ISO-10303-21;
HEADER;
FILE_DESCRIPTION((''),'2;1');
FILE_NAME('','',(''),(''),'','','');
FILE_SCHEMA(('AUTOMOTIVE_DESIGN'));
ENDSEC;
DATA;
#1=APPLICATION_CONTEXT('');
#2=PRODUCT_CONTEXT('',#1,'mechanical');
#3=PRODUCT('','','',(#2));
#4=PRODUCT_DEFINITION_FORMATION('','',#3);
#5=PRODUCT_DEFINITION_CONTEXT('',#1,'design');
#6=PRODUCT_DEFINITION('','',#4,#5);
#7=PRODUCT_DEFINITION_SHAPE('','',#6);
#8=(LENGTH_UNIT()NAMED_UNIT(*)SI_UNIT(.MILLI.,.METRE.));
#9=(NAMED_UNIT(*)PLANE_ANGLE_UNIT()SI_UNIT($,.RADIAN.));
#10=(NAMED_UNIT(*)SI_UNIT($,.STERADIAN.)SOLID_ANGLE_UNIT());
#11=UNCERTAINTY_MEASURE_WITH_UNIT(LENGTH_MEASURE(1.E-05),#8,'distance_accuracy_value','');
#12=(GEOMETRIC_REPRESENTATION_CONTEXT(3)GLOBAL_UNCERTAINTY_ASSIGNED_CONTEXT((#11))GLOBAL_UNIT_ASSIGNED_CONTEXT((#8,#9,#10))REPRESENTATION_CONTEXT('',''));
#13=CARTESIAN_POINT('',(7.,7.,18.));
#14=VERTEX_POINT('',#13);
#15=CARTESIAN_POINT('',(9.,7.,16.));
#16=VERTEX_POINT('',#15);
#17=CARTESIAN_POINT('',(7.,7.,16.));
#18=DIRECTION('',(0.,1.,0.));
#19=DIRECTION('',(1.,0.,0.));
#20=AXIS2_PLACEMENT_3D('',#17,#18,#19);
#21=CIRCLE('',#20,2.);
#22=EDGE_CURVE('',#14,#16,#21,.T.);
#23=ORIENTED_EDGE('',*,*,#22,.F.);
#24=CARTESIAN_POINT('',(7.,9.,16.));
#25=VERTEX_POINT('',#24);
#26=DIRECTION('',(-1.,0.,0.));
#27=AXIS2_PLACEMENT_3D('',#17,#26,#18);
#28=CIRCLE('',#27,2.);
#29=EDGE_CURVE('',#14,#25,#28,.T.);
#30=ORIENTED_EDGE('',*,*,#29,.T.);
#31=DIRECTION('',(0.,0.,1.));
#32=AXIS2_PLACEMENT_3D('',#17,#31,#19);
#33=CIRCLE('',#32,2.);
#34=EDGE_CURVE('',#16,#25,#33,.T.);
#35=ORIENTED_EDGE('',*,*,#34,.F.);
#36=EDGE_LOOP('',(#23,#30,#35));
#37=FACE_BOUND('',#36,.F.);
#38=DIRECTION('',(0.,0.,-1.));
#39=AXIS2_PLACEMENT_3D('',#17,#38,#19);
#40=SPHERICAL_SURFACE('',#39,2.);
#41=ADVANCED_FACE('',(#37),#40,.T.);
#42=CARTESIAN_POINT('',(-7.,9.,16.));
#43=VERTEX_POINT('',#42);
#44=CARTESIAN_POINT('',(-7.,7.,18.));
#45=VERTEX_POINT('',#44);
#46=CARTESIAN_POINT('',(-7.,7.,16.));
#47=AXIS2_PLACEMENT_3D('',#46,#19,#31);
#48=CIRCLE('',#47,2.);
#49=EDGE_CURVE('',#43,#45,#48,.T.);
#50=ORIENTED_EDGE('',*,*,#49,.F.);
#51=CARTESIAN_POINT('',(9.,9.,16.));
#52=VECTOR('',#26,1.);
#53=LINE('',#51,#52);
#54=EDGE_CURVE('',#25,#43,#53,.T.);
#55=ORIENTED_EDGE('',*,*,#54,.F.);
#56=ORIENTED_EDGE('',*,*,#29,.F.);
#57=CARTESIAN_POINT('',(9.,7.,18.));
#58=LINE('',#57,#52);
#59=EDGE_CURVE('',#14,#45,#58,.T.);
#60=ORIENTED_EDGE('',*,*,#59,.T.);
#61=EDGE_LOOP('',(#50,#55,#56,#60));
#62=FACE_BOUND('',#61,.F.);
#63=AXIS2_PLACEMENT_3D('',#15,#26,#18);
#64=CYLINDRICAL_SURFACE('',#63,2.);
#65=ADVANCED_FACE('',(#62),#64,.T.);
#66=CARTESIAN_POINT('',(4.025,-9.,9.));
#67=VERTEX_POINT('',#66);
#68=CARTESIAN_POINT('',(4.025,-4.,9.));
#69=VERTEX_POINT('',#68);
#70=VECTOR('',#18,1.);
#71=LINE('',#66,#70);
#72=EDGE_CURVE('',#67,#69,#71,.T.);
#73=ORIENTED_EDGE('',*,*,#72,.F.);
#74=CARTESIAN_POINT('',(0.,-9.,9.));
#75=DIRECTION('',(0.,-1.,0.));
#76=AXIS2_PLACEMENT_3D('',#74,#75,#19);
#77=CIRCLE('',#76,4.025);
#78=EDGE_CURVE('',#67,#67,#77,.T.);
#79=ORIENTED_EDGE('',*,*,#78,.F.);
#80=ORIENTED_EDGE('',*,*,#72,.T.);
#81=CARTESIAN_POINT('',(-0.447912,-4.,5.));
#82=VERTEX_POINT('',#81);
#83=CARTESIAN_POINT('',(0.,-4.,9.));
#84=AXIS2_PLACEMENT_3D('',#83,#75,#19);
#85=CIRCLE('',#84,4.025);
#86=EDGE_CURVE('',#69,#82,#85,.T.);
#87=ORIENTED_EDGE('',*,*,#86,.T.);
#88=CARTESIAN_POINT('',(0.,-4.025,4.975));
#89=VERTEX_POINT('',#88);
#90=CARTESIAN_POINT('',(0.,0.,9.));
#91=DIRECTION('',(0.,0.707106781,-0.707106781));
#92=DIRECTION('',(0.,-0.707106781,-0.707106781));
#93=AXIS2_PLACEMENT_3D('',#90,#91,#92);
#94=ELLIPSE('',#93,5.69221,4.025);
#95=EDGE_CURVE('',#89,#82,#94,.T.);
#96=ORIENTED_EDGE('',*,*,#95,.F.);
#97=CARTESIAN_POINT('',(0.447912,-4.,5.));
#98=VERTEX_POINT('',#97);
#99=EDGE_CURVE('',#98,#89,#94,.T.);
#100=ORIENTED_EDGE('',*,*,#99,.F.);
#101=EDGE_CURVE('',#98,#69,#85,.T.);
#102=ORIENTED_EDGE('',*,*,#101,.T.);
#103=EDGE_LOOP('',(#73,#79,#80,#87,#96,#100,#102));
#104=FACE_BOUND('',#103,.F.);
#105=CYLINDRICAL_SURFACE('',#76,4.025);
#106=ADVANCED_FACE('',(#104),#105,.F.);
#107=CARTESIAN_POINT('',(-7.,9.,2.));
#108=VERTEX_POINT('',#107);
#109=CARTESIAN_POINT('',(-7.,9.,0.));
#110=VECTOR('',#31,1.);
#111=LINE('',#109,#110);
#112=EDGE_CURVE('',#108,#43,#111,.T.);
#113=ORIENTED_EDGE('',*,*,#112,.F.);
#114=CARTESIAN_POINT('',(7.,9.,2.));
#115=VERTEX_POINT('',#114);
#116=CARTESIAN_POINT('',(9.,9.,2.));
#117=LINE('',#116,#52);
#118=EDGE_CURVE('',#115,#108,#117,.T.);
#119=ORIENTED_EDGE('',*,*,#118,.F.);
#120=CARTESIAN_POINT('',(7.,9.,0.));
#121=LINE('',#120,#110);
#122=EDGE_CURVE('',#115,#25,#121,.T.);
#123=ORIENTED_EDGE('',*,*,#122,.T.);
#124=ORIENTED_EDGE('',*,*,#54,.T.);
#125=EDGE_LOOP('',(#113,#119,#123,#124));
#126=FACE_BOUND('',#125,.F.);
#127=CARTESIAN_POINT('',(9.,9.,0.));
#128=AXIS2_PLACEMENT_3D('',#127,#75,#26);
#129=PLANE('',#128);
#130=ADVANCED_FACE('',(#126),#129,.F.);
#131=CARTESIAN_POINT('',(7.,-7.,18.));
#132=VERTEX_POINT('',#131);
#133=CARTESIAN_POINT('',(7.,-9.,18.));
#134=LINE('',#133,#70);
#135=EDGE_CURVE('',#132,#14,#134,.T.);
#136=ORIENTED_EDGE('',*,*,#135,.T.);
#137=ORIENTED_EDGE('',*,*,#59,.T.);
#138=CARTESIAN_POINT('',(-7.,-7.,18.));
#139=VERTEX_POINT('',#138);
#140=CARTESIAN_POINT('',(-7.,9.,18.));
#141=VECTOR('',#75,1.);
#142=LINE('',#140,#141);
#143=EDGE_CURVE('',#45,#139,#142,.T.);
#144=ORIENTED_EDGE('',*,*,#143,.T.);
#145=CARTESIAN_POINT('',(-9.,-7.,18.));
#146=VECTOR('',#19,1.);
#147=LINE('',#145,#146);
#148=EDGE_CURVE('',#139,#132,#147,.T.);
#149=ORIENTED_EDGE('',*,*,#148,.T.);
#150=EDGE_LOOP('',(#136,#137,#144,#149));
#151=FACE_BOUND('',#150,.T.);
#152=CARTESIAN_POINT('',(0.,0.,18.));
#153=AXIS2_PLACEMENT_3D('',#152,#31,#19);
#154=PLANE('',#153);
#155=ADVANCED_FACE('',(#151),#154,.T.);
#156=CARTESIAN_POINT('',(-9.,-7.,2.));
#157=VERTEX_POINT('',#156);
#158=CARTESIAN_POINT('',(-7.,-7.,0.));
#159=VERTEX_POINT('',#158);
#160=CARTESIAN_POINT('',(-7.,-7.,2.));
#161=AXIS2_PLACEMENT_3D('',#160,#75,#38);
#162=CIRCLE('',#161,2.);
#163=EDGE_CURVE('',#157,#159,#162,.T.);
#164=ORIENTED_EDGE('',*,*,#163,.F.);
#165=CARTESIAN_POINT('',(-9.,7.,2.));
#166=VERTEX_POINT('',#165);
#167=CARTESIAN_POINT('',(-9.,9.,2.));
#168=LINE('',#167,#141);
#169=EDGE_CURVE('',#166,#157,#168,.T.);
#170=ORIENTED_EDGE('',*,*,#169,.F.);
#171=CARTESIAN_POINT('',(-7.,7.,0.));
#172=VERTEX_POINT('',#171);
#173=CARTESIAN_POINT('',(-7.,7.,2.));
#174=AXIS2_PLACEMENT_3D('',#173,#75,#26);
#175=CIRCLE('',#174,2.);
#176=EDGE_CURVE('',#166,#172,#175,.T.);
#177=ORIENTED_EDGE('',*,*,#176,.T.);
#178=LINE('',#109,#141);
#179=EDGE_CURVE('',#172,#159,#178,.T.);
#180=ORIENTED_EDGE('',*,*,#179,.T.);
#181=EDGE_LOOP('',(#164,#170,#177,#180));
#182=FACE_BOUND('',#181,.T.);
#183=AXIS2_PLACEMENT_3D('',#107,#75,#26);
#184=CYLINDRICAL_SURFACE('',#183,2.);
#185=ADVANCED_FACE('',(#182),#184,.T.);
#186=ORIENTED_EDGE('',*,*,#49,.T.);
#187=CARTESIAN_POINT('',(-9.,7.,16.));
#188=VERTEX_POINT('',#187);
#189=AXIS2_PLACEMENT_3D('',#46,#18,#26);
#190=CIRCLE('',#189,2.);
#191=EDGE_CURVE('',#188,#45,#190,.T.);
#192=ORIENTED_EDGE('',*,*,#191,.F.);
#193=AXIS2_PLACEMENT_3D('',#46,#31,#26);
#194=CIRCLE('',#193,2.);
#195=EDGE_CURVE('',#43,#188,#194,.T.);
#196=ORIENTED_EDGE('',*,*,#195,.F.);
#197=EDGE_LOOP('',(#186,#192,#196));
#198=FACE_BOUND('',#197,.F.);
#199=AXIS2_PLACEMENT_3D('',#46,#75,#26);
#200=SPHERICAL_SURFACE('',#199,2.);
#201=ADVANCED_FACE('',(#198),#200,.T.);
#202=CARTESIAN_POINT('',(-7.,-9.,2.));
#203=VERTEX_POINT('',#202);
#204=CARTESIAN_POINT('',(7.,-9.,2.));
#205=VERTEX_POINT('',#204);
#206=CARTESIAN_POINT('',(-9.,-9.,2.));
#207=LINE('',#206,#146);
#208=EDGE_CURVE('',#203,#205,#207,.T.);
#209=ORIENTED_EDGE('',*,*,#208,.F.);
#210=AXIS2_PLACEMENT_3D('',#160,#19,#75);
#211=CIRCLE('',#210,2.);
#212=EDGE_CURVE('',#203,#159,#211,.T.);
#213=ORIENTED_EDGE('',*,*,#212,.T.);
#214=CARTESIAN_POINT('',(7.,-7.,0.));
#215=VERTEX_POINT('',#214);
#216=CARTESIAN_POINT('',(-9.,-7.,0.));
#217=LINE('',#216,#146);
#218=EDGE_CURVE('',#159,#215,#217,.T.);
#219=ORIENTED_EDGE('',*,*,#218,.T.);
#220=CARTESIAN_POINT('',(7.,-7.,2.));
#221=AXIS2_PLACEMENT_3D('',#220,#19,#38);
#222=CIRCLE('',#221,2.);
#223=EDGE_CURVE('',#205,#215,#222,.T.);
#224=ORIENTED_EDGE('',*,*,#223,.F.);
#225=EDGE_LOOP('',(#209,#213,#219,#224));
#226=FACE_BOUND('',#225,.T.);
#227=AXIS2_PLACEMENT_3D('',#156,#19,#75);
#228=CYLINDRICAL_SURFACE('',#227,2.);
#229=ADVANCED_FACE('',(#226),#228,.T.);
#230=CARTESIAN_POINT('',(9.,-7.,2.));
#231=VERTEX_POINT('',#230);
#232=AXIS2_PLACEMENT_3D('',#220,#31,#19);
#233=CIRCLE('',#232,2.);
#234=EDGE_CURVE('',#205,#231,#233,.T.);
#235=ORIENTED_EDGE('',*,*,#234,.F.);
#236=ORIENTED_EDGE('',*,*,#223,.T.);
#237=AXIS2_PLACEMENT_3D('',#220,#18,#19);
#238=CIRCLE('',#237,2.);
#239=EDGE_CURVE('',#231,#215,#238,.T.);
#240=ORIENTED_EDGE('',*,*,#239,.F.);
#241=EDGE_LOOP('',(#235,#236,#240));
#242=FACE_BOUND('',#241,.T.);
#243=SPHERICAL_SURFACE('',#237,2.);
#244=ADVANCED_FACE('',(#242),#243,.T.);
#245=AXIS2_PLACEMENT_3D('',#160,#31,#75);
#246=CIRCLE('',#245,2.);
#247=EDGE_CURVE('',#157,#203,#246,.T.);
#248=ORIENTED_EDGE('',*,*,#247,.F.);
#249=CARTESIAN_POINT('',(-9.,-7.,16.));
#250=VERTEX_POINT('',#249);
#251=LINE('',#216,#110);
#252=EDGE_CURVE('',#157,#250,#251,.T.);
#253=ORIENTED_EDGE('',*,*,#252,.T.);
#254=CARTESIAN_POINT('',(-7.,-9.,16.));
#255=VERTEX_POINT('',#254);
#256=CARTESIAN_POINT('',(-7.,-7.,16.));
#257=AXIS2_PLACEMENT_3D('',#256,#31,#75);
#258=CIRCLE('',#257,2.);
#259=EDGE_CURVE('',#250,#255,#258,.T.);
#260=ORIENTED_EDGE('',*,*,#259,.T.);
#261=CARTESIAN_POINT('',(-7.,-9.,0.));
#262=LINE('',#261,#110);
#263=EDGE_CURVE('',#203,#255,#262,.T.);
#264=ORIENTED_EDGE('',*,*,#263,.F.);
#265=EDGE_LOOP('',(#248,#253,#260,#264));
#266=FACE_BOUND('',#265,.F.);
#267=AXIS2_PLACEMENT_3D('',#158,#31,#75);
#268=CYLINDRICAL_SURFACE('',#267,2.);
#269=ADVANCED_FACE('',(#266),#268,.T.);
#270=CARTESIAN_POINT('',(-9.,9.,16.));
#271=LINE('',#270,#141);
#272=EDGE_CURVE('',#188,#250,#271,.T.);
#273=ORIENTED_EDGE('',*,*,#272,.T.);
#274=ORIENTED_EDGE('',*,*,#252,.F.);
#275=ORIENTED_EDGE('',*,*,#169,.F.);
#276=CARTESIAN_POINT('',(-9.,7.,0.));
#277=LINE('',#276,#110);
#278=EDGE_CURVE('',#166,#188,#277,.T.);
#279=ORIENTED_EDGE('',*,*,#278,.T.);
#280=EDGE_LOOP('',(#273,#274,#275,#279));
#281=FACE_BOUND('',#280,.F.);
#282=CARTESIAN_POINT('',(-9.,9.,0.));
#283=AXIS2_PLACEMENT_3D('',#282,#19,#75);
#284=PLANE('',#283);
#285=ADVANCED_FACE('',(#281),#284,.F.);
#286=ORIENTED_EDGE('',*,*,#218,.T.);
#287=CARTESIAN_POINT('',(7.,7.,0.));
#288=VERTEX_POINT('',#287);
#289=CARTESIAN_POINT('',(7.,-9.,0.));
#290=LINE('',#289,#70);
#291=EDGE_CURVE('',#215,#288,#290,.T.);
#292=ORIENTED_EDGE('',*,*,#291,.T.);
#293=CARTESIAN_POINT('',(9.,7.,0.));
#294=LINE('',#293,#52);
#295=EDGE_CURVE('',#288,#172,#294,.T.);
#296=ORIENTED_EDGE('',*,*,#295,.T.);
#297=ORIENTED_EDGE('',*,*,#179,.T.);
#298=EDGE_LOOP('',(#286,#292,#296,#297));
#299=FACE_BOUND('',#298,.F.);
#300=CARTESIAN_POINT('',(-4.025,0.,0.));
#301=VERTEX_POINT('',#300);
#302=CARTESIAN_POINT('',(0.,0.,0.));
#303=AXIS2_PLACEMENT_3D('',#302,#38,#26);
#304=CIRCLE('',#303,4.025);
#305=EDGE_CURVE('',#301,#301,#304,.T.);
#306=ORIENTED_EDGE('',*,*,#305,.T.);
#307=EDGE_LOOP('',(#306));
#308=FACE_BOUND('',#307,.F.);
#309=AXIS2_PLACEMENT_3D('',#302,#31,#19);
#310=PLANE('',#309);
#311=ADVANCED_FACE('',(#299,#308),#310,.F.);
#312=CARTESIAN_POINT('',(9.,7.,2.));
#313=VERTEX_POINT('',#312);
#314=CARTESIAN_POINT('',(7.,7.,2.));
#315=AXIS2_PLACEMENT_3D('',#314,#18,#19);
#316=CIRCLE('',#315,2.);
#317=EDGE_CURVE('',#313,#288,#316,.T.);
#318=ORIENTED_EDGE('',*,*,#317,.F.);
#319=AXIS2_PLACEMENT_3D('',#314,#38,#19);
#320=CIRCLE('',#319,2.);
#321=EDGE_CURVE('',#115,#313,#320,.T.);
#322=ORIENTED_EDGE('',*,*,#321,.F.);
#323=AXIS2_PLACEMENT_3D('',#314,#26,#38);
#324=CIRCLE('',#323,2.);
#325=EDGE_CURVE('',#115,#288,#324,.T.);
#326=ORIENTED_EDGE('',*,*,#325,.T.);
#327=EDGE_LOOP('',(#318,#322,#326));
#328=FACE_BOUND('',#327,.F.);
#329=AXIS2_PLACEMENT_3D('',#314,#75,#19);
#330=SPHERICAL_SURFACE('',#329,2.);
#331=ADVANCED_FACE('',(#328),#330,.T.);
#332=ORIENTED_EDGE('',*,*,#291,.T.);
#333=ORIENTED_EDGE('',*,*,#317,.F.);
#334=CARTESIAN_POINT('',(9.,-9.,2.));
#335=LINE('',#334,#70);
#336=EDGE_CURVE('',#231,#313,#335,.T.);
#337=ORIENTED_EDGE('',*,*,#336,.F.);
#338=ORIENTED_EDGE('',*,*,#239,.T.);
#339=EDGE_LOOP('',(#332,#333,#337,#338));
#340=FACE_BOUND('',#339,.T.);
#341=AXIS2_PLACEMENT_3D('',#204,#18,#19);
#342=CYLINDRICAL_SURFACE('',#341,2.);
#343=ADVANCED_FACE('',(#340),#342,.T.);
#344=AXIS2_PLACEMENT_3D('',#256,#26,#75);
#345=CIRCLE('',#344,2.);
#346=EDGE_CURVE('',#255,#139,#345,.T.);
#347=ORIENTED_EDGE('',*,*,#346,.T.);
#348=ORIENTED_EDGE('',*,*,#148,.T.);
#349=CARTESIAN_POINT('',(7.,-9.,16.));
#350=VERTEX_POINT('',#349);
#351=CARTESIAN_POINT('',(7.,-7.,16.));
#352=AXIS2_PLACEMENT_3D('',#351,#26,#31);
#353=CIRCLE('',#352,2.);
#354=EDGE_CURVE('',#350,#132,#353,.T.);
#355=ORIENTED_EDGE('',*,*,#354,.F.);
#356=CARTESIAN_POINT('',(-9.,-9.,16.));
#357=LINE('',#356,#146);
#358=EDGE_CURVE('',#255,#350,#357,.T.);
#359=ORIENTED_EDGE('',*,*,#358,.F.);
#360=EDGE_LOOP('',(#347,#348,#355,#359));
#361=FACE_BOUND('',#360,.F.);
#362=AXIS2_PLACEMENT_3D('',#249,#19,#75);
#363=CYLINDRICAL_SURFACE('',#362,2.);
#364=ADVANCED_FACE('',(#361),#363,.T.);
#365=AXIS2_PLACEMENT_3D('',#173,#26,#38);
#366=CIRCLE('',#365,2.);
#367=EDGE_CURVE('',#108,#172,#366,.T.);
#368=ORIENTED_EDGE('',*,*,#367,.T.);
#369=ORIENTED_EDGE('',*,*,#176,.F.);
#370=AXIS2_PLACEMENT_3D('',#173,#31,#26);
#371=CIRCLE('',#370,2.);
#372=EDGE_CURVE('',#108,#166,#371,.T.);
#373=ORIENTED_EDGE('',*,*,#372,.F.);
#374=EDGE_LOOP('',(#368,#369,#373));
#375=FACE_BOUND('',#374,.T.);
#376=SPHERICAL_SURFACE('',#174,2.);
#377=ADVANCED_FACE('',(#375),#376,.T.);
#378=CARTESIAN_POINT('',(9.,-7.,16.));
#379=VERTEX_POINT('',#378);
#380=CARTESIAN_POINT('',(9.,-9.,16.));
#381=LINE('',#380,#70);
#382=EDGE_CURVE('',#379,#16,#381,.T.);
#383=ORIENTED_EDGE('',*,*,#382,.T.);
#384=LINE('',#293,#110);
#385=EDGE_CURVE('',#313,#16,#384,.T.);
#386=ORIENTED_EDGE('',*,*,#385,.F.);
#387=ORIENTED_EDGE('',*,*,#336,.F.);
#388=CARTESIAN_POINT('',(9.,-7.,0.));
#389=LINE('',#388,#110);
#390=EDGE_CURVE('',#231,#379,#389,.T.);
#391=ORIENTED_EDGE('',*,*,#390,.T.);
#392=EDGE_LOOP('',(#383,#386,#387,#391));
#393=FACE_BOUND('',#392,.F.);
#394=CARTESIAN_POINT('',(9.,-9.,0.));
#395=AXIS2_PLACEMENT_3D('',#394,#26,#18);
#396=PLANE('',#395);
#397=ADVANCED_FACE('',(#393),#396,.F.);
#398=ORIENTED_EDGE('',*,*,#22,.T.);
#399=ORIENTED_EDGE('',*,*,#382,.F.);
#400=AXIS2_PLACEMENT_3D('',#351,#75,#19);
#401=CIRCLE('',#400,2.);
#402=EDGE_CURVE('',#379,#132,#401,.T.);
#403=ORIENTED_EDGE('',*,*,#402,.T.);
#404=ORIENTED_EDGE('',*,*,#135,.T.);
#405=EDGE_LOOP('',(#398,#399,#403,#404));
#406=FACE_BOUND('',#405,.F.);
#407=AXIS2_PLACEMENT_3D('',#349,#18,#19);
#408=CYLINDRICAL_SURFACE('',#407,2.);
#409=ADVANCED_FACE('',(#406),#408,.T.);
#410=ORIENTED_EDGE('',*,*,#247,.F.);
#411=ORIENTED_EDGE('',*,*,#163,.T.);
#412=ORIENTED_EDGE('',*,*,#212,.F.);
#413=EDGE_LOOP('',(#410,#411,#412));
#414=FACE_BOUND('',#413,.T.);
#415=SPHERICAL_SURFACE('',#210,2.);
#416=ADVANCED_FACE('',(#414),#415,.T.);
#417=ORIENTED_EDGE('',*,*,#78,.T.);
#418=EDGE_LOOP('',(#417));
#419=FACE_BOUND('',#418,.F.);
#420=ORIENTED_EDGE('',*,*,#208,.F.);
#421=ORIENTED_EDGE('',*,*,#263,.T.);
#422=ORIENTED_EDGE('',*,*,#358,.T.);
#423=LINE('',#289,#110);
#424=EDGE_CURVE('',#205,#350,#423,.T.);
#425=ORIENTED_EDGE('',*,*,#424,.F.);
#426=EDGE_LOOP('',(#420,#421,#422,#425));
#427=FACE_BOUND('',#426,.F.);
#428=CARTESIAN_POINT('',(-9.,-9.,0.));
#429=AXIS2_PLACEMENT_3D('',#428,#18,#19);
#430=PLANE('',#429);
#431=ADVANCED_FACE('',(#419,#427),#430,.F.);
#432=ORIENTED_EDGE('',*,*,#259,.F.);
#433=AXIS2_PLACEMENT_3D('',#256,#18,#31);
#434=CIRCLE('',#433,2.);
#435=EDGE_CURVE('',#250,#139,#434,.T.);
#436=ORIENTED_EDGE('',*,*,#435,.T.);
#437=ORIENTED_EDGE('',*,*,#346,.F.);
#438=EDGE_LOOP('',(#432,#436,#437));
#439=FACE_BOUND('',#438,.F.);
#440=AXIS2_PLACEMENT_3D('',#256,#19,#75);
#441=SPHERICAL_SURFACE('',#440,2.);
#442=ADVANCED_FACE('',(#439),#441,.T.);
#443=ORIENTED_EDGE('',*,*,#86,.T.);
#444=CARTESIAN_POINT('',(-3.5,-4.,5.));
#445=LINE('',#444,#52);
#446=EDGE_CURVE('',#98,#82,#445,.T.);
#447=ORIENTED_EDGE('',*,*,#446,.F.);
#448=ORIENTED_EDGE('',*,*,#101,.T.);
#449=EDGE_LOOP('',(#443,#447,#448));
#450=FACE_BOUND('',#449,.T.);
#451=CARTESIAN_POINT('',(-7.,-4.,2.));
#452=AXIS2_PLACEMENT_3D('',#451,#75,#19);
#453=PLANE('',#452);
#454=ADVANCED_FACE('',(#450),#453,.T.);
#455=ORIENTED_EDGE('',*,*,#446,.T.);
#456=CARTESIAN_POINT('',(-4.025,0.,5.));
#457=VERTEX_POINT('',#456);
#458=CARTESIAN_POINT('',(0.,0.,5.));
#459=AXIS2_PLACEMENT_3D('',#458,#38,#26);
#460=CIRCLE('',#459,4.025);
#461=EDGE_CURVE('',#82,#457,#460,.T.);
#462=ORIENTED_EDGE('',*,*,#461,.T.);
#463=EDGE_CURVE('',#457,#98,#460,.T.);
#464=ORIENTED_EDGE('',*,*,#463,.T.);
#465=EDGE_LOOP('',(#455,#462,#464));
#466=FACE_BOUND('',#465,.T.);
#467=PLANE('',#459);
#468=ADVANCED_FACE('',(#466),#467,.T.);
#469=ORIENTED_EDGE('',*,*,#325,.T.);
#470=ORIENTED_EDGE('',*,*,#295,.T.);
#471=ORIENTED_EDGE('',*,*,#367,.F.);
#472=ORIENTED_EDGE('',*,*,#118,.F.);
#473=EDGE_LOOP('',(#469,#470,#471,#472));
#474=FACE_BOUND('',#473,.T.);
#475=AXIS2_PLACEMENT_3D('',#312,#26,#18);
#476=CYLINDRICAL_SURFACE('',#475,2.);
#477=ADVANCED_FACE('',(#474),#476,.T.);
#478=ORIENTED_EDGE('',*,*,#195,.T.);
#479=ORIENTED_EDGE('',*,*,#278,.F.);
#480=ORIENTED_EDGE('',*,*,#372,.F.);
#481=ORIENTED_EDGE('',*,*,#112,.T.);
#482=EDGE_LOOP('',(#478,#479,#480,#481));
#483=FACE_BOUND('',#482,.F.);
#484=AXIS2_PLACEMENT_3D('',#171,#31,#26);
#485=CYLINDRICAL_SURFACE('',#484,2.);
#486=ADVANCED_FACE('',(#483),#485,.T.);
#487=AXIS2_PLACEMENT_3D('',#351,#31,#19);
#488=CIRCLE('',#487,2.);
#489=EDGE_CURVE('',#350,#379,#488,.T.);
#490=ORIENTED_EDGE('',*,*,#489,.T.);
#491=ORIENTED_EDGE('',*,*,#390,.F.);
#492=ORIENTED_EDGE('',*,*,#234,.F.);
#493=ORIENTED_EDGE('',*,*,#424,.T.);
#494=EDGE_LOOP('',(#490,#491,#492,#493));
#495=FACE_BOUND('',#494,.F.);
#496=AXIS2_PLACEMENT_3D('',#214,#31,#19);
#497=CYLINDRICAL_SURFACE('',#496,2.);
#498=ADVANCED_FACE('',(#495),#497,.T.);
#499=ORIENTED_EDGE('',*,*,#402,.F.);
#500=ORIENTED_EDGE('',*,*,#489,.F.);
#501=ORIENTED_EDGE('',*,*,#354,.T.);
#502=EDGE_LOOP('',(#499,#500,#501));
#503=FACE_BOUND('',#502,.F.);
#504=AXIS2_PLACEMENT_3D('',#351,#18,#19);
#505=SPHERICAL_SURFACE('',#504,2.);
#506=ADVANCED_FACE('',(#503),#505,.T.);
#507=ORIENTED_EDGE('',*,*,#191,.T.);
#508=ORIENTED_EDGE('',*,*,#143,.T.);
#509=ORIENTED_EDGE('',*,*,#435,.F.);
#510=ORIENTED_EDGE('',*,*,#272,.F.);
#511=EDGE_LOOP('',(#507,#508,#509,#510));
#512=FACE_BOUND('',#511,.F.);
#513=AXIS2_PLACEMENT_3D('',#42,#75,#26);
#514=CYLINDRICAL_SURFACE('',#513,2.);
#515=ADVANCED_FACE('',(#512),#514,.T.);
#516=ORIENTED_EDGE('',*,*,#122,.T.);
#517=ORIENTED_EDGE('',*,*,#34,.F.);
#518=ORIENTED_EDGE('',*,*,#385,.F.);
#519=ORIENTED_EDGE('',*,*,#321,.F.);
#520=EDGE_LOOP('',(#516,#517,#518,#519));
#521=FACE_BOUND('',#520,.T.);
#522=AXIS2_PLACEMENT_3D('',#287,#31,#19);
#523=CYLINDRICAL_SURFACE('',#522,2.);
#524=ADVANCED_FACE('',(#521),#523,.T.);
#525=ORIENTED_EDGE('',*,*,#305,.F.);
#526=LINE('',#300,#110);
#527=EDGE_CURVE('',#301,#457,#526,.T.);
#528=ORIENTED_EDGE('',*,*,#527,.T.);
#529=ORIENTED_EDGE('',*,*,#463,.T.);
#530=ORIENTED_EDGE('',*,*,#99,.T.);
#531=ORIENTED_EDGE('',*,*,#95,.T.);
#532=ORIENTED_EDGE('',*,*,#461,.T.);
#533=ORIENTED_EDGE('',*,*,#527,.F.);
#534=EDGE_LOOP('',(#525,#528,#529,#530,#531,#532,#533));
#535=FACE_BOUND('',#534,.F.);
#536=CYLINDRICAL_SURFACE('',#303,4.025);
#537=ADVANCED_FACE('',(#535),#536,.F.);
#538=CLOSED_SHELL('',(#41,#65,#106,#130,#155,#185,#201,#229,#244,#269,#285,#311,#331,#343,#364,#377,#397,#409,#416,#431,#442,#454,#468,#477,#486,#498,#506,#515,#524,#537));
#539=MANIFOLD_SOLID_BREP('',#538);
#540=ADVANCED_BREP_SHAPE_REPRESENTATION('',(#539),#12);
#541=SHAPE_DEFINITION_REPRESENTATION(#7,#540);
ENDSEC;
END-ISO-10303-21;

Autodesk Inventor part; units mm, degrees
ref_plane "YZ Plane" through (0, 0, 0) normal (1, 0, 0) x (0, 1, 0)
ref_plane "XZ Plane" through (0, 0, 0) normal (0, 1, 0) x (-1, 0, 0)
ref_plane "XY Plane" through (0, 0, 0) normal (0, 0, 1) x (1, 0, 0)
sketch "Boceto1" plane through (0, 0, 0) normal (0, 0, 1) x (1, 0, 0)
  line L0 (9, 9) -> (-9, 9)
  line L1 (-9, 9) -> (-9, -9)
  line L2 (-9, -9) -> (9, -9)
  line L3 (9, -9) -> (9, 9)
  line L4 (9, 9) -> (-9, -9) construction
  line L5 (-9, 9) -> (9, -9) construction
  point P0 (0, 0)
  dimension "d0" = 18
extrude "Extrusión1" add sketch "Boceto1" along normal blind 18
fillet "Empalme1" radius 2 12 edges at (9, 0, 0) (9, 9, 9) (9, 0, 18) (9, -9, 9) (0, -9, 0) (0, -9, 18) (-9, -9, 9) (-9, 0, 0) (-9, 0, 18) (-9, 9, 9) (0, 9, 0) (0, 9, 18)
sketch "Boceto2" plane through (0, 0, 0) normal (0, 0, -1) x (-1, 0, 0)
  circle A0 centre (0, 0) radius 4.025
  dimension "d4" = 8.05
extrude "Extrusión2" cut sketch "Boceto2" against normal blind 5
sketch "Boceto3" plane through (-7, -9, 2) normal (0, -1, 0) x (1, 0, 0)
  circle A0 centre (7, 7) radius 4.025
  line L0 (14, 0) -> (0, 0) projected
  line L1 (0, 0) -> (0, 14) projected
  point P0 (7, -2)
  dimension "d7" = 8.05
  dimension "d8" = 7
  dimension "d9" = 7
extrude "Extrusión3" cut sketch "Boceto3" against normal blind 5
properties part number "Hombro"
